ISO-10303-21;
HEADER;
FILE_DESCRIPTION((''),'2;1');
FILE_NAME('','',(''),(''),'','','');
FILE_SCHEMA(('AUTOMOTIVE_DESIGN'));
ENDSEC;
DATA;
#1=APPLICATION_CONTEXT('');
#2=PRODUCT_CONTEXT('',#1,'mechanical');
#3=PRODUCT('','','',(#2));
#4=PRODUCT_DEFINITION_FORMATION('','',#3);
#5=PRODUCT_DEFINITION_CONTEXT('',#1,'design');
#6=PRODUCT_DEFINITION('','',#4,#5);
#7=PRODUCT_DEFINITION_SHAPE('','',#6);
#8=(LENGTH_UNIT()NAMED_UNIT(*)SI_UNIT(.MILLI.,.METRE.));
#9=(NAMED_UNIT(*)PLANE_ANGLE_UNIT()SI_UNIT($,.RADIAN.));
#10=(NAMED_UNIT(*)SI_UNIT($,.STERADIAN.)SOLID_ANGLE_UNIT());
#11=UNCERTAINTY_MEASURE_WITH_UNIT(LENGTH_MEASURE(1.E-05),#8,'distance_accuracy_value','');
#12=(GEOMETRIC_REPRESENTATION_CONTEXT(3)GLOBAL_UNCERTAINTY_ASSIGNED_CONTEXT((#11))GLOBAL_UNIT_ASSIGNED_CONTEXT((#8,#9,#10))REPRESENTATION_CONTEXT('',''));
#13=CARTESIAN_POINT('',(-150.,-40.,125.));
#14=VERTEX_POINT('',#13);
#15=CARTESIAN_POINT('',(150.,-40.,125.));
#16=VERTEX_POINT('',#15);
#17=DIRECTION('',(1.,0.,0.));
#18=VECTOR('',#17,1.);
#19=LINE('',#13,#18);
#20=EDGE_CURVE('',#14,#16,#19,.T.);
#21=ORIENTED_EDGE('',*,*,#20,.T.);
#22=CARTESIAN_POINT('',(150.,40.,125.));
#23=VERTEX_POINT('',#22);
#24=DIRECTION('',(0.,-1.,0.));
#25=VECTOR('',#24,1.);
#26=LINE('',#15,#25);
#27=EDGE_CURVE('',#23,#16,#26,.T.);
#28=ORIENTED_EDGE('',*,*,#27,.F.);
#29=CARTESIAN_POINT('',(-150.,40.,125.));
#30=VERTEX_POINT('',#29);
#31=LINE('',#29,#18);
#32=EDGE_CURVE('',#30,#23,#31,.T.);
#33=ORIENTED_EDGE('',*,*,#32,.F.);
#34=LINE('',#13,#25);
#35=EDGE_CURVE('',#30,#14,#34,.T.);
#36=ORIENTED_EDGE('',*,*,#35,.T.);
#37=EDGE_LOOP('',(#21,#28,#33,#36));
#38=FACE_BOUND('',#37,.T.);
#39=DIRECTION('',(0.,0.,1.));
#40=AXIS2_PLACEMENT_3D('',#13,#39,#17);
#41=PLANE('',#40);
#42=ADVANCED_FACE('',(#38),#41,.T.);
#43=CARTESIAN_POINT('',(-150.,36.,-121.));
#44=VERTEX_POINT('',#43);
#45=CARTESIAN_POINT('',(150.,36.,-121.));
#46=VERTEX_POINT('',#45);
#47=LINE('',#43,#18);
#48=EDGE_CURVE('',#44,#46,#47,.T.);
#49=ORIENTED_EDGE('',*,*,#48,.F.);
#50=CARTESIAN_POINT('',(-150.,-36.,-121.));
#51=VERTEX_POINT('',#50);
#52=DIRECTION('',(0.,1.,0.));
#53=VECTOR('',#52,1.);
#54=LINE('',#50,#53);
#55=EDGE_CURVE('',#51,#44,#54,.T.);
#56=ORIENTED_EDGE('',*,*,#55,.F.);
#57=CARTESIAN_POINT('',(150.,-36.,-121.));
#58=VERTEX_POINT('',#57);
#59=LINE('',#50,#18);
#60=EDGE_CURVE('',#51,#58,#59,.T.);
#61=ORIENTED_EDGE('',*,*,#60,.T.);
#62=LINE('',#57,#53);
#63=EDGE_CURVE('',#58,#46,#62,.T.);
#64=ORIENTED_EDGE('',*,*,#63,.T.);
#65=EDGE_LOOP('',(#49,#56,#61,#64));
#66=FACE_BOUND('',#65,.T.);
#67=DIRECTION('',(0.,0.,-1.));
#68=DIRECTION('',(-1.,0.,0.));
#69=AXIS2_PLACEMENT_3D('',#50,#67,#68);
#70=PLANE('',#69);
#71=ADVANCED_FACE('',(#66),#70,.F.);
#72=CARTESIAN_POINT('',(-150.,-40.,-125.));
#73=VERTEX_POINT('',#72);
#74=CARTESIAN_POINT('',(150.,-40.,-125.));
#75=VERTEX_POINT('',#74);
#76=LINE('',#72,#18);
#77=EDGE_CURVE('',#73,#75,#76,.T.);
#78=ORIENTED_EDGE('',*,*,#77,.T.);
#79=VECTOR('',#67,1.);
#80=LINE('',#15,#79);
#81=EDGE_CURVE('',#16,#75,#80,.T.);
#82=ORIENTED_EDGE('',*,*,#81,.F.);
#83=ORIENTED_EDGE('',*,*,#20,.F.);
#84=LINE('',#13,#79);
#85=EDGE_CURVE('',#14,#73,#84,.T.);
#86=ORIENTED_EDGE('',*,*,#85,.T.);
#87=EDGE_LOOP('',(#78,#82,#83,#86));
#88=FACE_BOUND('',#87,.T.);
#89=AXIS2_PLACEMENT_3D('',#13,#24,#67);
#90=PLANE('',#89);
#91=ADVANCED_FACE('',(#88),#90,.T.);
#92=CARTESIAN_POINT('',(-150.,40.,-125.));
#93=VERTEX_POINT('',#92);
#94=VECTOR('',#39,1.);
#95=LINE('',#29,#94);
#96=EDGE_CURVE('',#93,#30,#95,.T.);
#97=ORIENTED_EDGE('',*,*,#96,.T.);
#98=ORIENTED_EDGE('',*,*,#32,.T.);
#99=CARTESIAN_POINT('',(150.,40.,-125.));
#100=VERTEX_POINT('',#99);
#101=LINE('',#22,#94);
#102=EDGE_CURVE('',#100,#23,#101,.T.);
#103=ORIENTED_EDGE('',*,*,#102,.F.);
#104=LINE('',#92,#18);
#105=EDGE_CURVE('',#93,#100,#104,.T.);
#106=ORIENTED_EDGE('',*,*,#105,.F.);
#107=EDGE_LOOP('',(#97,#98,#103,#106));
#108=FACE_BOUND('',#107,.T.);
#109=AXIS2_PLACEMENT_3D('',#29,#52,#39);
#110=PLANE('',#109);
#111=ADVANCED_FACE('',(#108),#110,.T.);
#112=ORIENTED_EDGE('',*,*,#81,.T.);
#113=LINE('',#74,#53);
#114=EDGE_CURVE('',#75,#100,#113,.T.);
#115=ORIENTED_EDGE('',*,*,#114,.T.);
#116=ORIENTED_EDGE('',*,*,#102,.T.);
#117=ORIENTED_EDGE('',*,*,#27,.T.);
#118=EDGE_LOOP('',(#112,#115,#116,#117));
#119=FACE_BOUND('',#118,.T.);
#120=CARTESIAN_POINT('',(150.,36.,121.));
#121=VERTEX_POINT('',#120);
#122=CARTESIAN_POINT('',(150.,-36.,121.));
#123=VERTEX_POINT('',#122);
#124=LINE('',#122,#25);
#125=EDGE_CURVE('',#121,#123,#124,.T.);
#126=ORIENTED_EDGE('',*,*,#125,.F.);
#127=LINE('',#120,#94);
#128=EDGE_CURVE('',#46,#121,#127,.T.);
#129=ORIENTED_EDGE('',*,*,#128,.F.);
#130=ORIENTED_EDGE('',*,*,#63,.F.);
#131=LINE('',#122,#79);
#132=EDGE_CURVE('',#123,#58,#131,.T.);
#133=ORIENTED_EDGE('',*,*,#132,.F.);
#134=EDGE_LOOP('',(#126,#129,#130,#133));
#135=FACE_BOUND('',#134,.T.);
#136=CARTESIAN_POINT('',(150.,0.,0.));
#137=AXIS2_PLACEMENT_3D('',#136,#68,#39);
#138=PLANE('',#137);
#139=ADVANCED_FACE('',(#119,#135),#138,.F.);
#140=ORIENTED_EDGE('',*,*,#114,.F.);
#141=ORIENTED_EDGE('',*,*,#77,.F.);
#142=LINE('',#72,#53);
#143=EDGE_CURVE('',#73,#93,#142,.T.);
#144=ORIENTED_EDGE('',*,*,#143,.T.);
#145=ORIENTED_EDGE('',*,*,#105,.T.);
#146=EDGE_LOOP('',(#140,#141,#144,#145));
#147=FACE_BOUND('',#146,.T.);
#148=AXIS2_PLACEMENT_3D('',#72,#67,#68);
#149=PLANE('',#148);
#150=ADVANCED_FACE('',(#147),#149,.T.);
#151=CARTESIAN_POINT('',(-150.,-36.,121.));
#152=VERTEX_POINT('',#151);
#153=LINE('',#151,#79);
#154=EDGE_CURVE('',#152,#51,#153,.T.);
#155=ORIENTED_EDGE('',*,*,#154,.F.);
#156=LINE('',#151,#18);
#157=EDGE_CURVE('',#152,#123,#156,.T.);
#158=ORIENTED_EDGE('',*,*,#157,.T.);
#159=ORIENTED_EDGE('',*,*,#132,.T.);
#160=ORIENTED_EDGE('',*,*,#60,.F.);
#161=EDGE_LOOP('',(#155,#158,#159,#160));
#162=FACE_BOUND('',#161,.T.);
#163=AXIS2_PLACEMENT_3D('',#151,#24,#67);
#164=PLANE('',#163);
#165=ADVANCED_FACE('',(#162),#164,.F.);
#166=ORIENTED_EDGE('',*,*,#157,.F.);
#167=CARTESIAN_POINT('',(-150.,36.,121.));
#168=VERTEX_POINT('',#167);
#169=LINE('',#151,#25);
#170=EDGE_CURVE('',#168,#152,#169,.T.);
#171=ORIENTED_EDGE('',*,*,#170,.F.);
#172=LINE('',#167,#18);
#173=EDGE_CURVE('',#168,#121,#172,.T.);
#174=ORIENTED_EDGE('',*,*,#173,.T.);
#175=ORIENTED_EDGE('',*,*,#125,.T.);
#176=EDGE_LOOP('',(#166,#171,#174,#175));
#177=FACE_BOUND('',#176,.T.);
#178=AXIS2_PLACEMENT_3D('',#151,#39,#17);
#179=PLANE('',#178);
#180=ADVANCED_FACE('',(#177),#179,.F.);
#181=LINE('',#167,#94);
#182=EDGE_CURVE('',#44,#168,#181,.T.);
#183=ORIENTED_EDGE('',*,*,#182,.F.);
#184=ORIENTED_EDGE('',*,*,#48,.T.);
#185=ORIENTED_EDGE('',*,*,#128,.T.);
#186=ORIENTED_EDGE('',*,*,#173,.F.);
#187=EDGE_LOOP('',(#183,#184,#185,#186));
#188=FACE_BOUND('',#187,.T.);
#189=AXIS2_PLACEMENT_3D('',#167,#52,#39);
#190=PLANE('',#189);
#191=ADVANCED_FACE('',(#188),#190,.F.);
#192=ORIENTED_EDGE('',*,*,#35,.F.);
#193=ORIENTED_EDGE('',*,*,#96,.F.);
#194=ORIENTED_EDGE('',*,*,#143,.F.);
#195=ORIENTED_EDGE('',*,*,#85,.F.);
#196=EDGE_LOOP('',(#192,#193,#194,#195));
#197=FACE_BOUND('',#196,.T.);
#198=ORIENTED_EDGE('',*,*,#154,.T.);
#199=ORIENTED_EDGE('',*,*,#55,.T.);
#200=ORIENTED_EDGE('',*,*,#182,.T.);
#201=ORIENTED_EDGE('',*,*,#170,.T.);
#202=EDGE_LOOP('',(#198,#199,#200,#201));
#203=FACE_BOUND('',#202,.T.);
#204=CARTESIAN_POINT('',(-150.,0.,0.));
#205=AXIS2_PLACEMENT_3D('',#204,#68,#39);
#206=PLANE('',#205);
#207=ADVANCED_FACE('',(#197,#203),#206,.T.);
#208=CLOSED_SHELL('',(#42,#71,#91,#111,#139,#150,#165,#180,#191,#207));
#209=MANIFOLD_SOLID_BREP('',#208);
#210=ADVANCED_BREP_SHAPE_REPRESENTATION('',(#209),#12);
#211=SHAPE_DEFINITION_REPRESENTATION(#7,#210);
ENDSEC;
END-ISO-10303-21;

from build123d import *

# Parameters (mm, degrees)
BOSS_EXTRUDE1_DEPTH      = 150
BOSS_EXTRUDE1_DEPTH_BACK = 150
SKETCH1_W                = 250
SKETCH1_H                = 80
SKETCH1_W_2              = 242
SKETCH1_H_2              = 72


with BuildPart() as part:
    # Sketch1 → Boss-Extrude1 (new, two sides: drawn at the far end of the back side and taken through both)
    with BuildSketch(Plane(origin=(0, 0, 0), x_dir=(0, 0, -1), z_dir=(1, 0, 0)).offset(-BOSS_EXTRUDE1_DEPTH_BACK)):
        Rectangle(SKETCH1_W, SKETCH1_H)
        Rectangle(SKETCH1_W_2, SKETCH1_H_2, mode=Mode.SUBTRACT)
    extrude(amount=BOSS_EXTRUDE1_DEPTH + BOSS_EXTRUDE1_DEPTH_BACK)


solid = part.part
